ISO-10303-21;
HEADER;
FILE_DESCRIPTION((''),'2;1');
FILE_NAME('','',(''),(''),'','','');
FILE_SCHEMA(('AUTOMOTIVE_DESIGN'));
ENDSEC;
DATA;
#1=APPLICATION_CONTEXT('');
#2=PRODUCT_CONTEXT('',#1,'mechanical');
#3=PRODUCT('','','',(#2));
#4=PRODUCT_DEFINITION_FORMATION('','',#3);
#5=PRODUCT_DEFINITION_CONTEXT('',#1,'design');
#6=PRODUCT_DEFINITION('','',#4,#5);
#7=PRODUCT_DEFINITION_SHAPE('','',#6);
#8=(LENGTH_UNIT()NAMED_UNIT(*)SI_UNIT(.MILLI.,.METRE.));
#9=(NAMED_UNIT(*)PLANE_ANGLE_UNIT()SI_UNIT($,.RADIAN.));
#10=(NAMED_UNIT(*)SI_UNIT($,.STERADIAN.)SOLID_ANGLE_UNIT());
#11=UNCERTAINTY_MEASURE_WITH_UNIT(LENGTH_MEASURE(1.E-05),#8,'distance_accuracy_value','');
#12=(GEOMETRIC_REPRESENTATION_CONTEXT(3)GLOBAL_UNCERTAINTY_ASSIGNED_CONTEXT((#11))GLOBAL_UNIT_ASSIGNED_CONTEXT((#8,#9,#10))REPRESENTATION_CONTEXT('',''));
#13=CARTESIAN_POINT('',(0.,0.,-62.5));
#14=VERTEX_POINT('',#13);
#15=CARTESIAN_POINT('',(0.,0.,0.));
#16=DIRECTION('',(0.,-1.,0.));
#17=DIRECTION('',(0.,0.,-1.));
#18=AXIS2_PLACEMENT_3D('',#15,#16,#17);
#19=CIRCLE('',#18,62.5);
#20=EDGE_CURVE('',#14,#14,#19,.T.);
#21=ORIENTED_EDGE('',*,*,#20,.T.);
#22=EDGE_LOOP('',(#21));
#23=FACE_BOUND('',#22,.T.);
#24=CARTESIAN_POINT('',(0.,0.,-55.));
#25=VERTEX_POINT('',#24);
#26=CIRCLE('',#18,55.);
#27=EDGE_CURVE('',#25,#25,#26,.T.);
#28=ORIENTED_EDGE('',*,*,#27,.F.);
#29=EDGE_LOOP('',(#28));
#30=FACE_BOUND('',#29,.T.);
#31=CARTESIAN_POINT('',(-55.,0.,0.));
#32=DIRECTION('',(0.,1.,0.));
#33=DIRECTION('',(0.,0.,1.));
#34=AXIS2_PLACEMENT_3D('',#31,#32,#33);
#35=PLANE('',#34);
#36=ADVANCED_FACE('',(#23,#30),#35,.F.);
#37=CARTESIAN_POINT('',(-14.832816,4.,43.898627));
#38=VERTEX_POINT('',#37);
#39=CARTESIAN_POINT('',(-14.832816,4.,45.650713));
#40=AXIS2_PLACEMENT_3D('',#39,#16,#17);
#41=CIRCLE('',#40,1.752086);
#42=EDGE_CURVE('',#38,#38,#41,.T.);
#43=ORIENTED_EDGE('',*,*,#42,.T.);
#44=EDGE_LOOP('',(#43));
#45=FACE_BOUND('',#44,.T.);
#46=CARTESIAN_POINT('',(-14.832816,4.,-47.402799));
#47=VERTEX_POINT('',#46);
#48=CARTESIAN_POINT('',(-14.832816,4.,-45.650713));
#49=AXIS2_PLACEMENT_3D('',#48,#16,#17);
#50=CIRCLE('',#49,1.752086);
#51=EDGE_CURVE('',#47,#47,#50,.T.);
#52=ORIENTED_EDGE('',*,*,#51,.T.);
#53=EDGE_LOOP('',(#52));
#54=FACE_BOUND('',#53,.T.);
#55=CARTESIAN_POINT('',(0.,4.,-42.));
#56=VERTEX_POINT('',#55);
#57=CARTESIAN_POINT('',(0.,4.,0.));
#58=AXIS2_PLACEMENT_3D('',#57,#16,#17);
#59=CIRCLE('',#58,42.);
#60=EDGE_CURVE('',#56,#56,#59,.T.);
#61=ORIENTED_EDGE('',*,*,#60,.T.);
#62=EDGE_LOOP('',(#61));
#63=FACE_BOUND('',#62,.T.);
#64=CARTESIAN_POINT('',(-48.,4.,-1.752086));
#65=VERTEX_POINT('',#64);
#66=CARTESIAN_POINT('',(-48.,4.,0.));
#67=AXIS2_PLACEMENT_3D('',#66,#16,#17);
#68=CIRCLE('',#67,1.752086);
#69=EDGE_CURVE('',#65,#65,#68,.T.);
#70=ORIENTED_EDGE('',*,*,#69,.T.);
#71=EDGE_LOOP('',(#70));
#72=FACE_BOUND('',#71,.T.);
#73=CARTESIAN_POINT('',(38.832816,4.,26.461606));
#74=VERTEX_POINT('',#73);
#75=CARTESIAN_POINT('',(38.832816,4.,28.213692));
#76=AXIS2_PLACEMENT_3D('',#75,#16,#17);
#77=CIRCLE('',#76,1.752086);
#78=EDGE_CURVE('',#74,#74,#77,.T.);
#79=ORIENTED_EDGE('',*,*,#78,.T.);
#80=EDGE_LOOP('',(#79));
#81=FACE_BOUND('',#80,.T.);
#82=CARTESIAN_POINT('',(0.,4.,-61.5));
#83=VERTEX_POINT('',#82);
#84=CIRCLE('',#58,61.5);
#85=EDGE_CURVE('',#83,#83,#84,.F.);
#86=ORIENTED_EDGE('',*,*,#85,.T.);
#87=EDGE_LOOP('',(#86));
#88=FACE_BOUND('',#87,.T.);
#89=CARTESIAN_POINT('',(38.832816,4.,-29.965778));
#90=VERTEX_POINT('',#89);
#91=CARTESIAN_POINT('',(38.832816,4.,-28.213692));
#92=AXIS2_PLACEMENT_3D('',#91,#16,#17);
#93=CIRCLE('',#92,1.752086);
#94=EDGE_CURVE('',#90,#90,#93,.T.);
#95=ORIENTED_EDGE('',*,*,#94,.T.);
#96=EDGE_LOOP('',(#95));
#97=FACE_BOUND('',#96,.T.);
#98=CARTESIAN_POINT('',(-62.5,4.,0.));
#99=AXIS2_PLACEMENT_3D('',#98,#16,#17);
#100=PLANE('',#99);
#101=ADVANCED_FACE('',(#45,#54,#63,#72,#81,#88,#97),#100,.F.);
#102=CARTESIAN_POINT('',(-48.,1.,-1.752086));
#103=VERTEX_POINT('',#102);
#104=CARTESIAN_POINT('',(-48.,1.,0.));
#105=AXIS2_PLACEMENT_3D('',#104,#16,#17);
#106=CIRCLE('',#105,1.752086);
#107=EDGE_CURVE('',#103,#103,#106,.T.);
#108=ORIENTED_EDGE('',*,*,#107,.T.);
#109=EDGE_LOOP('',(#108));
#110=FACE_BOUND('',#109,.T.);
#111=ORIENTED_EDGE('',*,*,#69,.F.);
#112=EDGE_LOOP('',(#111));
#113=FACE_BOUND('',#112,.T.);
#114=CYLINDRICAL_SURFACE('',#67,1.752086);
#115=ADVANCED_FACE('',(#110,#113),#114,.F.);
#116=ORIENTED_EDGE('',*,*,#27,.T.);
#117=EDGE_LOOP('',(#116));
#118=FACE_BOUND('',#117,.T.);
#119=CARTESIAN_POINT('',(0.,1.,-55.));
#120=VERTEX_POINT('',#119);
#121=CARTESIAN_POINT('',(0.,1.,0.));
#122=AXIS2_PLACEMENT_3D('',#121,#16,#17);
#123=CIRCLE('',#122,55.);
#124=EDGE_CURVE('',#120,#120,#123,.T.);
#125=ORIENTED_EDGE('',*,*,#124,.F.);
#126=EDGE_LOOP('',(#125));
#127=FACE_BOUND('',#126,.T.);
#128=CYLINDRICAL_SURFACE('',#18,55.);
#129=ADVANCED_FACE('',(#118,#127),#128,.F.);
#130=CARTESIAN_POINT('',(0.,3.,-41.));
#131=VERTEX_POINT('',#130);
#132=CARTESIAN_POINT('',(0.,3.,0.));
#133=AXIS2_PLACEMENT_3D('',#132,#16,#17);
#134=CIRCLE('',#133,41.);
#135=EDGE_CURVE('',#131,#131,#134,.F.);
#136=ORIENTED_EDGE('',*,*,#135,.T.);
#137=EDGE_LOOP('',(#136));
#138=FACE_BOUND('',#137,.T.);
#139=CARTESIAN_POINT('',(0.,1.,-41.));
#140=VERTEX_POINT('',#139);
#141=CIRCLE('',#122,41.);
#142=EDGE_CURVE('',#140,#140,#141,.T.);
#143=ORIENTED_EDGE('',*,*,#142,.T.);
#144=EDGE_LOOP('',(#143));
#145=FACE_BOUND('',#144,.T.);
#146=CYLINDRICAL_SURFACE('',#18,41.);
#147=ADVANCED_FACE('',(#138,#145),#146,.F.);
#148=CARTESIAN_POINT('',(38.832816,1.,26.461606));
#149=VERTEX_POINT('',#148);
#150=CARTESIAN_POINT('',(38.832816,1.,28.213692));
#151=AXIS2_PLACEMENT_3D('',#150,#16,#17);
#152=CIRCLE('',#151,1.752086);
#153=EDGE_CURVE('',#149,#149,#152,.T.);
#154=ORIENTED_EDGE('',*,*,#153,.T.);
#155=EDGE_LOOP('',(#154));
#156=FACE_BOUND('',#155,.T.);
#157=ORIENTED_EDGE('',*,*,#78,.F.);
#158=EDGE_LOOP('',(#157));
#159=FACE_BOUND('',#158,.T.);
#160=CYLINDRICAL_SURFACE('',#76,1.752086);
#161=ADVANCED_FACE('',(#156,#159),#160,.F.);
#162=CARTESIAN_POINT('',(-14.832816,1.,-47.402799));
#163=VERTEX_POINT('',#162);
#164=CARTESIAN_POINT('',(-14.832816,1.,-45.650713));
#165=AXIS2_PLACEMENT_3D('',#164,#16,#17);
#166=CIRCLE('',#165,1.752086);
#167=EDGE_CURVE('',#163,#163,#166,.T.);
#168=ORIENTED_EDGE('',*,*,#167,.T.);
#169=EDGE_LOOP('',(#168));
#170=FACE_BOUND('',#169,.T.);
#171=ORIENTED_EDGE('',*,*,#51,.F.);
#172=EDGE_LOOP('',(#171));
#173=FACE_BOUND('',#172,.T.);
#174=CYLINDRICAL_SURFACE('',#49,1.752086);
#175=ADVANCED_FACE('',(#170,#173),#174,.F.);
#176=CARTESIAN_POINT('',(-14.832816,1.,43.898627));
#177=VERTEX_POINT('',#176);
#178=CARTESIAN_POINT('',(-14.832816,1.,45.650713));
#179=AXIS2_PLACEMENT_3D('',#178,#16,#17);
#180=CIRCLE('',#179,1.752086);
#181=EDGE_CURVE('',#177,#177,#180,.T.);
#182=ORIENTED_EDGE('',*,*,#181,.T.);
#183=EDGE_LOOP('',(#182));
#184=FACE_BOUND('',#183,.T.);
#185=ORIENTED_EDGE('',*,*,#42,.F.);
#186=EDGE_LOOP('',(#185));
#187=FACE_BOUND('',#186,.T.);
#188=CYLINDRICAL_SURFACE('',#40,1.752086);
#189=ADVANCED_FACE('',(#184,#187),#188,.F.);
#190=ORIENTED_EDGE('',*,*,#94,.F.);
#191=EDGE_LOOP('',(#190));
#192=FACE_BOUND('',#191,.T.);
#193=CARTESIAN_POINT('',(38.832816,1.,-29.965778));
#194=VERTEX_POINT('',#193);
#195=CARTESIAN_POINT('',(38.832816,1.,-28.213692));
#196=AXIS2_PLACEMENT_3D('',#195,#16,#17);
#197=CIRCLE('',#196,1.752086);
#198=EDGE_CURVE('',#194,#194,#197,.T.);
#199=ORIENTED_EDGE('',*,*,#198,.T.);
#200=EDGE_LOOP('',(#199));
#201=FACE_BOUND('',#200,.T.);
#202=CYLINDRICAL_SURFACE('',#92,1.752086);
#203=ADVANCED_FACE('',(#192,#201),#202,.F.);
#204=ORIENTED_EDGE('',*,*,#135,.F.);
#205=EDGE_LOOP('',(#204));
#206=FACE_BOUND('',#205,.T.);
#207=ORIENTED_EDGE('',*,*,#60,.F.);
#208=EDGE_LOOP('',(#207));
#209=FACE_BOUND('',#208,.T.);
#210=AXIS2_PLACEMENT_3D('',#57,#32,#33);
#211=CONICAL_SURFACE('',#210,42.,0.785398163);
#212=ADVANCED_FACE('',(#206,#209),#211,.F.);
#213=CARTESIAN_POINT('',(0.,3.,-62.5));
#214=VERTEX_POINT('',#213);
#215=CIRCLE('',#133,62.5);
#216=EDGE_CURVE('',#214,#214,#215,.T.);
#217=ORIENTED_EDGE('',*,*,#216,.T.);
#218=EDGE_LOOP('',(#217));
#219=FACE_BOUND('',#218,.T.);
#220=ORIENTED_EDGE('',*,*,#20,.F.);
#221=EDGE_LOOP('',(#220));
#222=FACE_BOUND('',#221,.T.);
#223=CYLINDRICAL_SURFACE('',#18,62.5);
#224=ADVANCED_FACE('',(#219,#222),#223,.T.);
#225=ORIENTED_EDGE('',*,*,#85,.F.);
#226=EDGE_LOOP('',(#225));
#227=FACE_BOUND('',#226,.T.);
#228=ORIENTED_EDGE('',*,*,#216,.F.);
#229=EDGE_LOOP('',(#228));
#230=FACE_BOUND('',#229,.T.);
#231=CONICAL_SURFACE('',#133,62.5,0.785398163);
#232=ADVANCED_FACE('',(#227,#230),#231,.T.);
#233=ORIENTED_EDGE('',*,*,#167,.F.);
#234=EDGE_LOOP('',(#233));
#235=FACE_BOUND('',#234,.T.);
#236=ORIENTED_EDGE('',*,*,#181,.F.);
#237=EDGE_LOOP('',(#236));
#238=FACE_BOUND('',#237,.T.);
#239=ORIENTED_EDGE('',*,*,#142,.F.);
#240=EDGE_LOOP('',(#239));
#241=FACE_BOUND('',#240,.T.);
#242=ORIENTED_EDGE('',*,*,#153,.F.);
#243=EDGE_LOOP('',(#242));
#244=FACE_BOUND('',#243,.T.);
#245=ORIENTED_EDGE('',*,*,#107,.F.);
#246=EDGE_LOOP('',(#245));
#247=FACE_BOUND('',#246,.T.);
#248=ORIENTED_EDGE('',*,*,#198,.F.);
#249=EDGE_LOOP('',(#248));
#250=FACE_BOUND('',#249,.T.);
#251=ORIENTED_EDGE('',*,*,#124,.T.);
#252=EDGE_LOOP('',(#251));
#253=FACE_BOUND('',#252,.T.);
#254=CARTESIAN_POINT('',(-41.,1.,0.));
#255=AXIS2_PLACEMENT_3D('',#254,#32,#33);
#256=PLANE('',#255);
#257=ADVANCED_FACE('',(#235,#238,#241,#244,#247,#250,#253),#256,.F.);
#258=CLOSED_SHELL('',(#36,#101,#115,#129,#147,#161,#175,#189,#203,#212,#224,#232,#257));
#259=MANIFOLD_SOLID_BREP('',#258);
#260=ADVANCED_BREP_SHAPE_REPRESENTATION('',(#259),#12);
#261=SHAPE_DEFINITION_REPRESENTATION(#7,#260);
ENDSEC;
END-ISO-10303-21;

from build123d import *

# Parameters (mm, degrees)
SKETCH2_R          = 1.752085735
CUT_EXTRUDE2_DEPTH = 4
CHAMFER1_SIZE      = 1


with BuildPart() as part:
    # Sketch1 → Revolve1 (revolve)
    with BuildSketch(Plane.XY):
        Polygon((-55, 1), (-55, 0), (-62.5, 0), (-62.5, 4), (-41, 4), (-41, 1), align=None)
    revolve(axis=Axis((0, 0, 0), (0, 1, 0)))

    # Sketch2 → Cut-Extrude2 (cut, through all)
    with BuildSketch(Plane.XZ.offset(-1)):
        with Locations((-48, 0)):
            Circle(SKETCH2_R)
        with Locations((-14.83281573, 45.650712782)):
            Circle(SKETCH2_R)
        with Locations((38.83281573, 28.21369211)):
            Circle(SKETCH2_R)
        with Locations((38.83281573, -28.21369211)):
            Circle(SKETCH2_R)
        with Locations((-14.83281573, -45.650712782)):
            Circle(SKETCH2_R)
    extrude(amount=-CUT_EXTRUDE2_DEPTH, mode=Mode.SUBTRACT)

    # Chamfer1
    chamfer1_edges = [part.edges().sort_by_distance(p)[0] for p in [
        (62.5, 4, 0),
        (41, 4, 0),
    ]]
    chamfer(chamfer1_edges, length=CHAMFER1_SIZE)


solid = part.part
